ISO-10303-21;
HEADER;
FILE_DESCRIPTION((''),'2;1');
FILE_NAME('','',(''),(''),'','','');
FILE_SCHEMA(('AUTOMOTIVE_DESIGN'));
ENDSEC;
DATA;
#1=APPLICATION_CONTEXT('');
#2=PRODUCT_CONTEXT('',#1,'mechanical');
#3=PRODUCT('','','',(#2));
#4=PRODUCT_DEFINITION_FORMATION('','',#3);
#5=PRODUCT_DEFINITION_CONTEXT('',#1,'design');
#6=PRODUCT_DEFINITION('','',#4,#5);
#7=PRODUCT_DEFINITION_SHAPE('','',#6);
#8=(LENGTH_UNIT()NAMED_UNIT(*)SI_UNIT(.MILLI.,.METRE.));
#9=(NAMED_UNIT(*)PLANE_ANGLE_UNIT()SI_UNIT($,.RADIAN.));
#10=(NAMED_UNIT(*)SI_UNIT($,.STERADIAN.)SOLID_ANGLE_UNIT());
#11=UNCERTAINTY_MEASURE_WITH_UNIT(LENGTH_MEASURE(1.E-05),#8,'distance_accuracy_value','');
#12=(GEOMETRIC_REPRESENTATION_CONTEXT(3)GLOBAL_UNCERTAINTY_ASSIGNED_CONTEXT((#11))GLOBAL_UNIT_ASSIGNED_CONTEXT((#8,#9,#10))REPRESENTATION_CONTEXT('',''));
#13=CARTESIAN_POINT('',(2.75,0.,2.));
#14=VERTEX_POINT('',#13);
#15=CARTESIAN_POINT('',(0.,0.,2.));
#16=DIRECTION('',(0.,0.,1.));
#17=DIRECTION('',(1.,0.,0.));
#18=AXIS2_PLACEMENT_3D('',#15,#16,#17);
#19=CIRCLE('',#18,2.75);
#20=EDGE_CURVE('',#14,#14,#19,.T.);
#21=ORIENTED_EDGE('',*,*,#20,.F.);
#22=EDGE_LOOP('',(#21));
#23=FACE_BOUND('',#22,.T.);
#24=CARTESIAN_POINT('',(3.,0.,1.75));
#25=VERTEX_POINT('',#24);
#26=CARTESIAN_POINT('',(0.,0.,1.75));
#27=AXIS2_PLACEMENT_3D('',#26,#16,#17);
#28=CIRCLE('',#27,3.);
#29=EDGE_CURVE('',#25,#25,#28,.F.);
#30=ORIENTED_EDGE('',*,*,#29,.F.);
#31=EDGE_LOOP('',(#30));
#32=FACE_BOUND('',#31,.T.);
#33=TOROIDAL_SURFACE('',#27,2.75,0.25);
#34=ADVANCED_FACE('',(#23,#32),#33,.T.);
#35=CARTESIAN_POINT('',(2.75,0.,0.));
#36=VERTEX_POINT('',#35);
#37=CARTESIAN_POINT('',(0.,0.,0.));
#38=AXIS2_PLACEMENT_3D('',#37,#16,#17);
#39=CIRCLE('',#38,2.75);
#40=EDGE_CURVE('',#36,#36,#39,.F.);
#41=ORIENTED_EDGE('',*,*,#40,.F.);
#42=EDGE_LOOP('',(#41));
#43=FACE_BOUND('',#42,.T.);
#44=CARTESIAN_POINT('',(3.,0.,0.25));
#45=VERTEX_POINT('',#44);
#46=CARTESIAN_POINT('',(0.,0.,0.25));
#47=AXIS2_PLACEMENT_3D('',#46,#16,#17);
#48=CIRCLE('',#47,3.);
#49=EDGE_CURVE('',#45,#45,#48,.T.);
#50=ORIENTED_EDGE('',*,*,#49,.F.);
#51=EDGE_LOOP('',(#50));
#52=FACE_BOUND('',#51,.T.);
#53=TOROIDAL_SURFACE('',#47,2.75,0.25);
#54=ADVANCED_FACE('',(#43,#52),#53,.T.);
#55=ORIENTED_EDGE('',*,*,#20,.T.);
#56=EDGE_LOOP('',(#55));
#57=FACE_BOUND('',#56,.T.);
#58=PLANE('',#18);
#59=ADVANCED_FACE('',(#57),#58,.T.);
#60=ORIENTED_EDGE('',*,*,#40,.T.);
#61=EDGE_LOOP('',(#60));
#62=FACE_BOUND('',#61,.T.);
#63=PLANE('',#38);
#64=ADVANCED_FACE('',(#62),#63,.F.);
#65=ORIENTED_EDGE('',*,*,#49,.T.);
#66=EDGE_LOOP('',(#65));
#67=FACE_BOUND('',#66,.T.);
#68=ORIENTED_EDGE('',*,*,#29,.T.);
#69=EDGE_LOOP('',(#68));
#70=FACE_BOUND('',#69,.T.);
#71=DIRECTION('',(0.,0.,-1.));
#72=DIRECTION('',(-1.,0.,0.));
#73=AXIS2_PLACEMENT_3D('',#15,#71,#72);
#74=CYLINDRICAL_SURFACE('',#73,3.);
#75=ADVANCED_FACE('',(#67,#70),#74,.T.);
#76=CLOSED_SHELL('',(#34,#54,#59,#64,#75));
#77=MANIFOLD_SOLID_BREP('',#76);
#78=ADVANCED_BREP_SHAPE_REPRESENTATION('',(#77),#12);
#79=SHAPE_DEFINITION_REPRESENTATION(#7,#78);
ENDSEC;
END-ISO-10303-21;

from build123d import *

# Parameters (mm, degrees)
SKETCH1_R           = 3
BOSS_EXTRUDE1_DEPTH = 2
FILLET1_R           = 0.25


with BuildPart() as part:
    # Sketch1 → Boss-Extrude1 (new body)
    with BuildSketch(Plane.XY):
        Circle(SKETCH1_R)
    extrude(amount=BOSS_EXTRUDE1_DEPTH)

    # Fillet1
    fillet1_edges = [part.edges().sort_by_distance(p)[0] for p in [
        (-3, 0, 0),
        (-3, 0, 2),
    ]]
    fillet(fillet1_edges, radius=FILLET1_R)


solid = part.part
